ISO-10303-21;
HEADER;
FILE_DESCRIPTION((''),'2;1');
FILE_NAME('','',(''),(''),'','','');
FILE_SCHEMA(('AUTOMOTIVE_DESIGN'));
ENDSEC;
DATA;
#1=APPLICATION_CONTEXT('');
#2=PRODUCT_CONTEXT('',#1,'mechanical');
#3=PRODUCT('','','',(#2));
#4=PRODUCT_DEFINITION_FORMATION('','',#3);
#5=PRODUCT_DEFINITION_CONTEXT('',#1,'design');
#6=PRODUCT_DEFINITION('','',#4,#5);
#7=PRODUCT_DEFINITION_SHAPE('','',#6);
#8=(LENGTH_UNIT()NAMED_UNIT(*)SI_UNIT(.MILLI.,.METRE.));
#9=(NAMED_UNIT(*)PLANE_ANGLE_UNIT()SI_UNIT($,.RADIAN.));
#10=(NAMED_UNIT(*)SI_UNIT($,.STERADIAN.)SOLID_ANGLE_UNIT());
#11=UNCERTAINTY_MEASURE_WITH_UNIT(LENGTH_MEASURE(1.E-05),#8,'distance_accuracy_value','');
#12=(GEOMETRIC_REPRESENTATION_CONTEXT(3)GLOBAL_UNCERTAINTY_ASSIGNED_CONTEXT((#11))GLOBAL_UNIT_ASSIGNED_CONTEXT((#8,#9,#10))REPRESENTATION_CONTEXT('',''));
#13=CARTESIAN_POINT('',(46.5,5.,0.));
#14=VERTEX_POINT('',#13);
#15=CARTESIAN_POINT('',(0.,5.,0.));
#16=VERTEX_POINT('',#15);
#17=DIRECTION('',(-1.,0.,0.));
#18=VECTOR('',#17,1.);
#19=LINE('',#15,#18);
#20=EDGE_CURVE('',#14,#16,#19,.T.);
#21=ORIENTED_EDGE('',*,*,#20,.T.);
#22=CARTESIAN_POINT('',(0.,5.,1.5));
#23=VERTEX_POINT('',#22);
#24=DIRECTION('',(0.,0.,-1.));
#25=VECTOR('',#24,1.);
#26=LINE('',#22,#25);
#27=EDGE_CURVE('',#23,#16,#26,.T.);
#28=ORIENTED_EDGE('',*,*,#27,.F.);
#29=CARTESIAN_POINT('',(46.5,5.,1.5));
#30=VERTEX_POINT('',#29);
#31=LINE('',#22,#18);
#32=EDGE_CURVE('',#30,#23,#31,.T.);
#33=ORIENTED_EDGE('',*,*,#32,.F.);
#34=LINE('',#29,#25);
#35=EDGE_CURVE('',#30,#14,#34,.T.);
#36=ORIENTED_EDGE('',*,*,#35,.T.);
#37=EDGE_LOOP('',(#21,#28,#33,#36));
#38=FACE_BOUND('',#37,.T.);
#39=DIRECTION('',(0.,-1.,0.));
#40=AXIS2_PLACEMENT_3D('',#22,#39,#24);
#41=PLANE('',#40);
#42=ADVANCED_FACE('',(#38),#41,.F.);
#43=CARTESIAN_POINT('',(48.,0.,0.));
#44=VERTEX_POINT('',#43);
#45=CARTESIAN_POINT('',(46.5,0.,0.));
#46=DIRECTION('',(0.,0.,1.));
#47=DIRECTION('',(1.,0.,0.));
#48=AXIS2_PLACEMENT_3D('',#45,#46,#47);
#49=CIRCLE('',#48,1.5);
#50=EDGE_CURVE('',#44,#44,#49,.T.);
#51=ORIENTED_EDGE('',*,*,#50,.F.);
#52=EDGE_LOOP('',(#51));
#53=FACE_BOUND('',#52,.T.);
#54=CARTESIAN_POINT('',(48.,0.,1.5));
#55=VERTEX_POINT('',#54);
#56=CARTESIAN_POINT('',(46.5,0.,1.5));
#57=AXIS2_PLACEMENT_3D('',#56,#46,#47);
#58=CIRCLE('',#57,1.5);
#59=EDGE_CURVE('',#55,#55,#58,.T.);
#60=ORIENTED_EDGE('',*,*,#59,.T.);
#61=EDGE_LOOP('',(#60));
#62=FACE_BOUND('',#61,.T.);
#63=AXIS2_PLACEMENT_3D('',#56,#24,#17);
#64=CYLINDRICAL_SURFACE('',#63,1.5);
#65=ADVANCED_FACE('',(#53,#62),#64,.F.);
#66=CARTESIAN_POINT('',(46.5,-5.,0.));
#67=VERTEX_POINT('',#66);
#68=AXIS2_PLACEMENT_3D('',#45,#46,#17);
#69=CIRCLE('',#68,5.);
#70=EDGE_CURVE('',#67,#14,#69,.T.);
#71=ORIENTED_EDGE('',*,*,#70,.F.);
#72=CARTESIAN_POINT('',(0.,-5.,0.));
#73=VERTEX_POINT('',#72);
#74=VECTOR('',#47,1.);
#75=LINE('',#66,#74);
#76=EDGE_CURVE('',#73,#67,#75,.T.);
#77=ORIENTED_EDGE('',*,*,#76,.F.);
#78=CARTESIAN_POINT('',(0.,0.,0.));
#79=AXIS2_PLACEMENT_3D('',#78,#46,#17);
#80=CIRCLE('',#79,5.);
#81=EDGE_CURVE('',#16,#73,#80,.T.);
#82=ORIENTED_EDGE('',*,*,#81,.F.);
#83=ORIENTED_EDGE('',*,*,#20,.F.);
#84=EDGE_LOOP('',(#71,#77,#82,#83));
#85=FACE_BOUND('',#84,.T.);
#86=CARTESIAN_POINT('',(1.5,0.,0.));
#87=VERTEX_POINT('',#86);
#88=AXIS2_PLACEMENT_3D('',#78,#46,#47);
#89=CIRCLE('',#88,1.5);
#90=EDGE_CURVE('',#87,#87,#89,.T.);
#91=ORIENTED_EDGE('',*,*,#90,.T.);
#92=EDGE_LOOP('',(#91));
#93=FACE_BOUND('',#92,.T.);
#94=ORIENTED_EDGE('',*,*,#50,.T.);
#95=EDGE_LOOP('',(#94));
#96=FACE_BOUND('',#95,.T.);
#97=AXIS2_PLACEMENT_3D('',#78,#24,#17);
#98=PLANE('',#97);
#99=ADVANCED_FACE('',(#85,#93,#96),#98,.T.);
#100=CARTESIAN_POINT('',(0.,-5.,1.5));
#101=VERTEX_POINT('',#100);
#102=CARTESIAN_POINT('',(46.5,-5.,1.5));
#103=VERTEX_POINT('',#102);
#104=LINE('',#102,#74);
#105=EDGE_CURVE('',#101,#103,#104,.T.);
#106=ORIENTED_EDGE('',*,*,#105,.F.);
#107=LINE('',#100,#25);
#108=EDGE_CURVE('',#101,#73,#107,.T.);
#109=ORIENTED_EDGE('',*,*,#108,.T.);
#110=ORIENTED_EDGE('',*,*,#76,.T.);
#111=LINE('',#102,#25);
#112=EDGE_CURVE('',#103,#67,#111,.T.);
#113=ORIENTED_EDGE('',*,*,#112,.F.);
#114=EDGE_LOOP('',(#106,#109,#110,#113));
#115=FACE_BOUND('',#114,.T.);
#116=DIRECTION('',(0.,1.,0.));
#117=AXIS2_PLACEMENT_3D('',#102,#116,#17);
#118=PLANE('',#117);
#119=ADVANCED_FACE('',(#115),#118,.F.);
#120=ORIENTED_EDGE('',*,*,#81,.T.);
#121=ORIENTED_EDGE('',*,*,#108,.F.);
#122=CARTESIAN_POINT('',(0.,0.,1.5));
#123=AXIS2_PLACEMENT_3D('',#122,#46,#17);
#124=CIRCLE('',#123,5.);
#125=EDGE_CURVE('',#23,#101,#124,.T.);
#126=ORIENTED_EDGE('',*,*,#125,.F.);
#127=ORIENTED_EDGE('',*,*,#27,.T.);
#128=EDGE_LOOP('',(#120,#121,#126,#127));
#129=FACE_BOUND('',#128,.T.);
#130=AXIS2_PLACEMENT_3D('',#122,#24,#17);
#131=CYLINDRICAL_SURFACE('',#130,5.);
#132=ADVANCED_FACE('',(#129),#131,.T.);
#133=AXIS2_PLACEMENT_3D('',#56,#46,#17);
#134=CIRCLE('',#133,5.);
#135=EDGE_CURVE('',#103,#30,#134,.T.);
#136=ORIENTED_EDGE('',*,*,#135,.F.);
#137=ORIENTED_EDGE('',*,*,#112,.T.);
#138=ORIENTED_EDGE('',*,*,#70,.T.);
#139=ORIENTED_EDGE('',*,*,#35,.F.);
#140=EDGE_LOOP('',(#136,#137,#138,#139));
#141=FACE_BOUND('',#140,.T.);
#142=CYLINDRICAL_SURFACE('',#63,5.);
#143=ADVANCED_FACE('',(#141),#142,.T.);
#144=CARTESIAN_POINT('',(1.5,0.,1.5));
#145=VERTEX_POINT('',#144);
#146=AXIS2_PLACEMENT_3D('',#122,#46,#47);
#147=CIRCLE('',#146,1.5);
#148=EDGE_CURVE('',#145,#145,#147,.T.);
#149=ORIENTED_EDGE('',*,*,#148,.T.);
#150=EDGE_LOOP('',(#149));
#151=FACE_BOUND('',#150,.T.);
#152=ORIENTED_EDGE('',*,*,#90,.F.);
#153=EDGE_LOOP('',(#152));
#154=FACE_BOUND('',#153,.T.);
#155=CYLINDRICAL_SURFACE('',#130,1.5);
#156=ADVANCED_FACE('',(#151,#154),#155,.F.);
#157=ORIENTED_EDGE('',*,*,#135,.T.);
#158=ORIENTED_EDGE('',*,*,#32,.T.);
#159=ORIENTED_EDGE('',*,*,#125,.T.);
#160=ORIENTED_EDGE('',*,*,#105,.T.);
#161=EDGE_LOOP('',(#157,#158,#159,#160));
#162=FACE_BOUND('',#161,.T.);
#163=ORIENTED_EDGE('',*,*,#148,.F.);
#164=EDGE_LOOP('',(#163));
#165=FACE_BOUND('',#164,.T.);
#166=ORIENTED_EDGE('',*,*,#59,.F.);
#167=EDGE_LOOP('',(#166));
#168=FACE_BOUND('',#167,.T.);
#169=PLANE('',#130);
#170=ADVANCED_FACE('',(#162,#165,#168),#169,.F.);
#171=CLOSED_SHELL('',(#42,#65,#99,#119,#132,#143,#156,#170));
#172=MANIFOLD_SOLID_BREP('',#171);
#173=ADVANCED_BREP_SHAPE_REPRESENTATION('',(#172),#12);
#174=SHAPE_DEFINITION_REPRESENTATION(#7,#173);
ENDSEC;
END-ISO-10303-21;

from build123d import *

# Parameters (mm, degrees)
ESQUISSE1_R        = 1.5
BOSS_EXTRU_1_DEPTH = 1.5


with BuildPart() as part:
    # Esquisse1 → Boss.-Extru.1 (new body)
    with BuildSketch(Plane.XY):
        with BuildLine():
            Line((0, 5), (46.5, 5))
            ThreePointArc((46.5, 5), (51.5, 0), (46.5, -5))
            Line((46.5, -5), (0, -5))
            ThreePointArc((0, -5), (-5, 0), (0, 5))
        make_face()
        Circle(ESQUISSE1_R, mode=Mode.SUBTRACT)
        with Locations((46.5, 0)):
            Circle(ESQUISSE1_R, mode=Mode.SUBTRACT)
    extrude(amount=BOSS_EXTRU_1_DEPTH)


solid = part.part
